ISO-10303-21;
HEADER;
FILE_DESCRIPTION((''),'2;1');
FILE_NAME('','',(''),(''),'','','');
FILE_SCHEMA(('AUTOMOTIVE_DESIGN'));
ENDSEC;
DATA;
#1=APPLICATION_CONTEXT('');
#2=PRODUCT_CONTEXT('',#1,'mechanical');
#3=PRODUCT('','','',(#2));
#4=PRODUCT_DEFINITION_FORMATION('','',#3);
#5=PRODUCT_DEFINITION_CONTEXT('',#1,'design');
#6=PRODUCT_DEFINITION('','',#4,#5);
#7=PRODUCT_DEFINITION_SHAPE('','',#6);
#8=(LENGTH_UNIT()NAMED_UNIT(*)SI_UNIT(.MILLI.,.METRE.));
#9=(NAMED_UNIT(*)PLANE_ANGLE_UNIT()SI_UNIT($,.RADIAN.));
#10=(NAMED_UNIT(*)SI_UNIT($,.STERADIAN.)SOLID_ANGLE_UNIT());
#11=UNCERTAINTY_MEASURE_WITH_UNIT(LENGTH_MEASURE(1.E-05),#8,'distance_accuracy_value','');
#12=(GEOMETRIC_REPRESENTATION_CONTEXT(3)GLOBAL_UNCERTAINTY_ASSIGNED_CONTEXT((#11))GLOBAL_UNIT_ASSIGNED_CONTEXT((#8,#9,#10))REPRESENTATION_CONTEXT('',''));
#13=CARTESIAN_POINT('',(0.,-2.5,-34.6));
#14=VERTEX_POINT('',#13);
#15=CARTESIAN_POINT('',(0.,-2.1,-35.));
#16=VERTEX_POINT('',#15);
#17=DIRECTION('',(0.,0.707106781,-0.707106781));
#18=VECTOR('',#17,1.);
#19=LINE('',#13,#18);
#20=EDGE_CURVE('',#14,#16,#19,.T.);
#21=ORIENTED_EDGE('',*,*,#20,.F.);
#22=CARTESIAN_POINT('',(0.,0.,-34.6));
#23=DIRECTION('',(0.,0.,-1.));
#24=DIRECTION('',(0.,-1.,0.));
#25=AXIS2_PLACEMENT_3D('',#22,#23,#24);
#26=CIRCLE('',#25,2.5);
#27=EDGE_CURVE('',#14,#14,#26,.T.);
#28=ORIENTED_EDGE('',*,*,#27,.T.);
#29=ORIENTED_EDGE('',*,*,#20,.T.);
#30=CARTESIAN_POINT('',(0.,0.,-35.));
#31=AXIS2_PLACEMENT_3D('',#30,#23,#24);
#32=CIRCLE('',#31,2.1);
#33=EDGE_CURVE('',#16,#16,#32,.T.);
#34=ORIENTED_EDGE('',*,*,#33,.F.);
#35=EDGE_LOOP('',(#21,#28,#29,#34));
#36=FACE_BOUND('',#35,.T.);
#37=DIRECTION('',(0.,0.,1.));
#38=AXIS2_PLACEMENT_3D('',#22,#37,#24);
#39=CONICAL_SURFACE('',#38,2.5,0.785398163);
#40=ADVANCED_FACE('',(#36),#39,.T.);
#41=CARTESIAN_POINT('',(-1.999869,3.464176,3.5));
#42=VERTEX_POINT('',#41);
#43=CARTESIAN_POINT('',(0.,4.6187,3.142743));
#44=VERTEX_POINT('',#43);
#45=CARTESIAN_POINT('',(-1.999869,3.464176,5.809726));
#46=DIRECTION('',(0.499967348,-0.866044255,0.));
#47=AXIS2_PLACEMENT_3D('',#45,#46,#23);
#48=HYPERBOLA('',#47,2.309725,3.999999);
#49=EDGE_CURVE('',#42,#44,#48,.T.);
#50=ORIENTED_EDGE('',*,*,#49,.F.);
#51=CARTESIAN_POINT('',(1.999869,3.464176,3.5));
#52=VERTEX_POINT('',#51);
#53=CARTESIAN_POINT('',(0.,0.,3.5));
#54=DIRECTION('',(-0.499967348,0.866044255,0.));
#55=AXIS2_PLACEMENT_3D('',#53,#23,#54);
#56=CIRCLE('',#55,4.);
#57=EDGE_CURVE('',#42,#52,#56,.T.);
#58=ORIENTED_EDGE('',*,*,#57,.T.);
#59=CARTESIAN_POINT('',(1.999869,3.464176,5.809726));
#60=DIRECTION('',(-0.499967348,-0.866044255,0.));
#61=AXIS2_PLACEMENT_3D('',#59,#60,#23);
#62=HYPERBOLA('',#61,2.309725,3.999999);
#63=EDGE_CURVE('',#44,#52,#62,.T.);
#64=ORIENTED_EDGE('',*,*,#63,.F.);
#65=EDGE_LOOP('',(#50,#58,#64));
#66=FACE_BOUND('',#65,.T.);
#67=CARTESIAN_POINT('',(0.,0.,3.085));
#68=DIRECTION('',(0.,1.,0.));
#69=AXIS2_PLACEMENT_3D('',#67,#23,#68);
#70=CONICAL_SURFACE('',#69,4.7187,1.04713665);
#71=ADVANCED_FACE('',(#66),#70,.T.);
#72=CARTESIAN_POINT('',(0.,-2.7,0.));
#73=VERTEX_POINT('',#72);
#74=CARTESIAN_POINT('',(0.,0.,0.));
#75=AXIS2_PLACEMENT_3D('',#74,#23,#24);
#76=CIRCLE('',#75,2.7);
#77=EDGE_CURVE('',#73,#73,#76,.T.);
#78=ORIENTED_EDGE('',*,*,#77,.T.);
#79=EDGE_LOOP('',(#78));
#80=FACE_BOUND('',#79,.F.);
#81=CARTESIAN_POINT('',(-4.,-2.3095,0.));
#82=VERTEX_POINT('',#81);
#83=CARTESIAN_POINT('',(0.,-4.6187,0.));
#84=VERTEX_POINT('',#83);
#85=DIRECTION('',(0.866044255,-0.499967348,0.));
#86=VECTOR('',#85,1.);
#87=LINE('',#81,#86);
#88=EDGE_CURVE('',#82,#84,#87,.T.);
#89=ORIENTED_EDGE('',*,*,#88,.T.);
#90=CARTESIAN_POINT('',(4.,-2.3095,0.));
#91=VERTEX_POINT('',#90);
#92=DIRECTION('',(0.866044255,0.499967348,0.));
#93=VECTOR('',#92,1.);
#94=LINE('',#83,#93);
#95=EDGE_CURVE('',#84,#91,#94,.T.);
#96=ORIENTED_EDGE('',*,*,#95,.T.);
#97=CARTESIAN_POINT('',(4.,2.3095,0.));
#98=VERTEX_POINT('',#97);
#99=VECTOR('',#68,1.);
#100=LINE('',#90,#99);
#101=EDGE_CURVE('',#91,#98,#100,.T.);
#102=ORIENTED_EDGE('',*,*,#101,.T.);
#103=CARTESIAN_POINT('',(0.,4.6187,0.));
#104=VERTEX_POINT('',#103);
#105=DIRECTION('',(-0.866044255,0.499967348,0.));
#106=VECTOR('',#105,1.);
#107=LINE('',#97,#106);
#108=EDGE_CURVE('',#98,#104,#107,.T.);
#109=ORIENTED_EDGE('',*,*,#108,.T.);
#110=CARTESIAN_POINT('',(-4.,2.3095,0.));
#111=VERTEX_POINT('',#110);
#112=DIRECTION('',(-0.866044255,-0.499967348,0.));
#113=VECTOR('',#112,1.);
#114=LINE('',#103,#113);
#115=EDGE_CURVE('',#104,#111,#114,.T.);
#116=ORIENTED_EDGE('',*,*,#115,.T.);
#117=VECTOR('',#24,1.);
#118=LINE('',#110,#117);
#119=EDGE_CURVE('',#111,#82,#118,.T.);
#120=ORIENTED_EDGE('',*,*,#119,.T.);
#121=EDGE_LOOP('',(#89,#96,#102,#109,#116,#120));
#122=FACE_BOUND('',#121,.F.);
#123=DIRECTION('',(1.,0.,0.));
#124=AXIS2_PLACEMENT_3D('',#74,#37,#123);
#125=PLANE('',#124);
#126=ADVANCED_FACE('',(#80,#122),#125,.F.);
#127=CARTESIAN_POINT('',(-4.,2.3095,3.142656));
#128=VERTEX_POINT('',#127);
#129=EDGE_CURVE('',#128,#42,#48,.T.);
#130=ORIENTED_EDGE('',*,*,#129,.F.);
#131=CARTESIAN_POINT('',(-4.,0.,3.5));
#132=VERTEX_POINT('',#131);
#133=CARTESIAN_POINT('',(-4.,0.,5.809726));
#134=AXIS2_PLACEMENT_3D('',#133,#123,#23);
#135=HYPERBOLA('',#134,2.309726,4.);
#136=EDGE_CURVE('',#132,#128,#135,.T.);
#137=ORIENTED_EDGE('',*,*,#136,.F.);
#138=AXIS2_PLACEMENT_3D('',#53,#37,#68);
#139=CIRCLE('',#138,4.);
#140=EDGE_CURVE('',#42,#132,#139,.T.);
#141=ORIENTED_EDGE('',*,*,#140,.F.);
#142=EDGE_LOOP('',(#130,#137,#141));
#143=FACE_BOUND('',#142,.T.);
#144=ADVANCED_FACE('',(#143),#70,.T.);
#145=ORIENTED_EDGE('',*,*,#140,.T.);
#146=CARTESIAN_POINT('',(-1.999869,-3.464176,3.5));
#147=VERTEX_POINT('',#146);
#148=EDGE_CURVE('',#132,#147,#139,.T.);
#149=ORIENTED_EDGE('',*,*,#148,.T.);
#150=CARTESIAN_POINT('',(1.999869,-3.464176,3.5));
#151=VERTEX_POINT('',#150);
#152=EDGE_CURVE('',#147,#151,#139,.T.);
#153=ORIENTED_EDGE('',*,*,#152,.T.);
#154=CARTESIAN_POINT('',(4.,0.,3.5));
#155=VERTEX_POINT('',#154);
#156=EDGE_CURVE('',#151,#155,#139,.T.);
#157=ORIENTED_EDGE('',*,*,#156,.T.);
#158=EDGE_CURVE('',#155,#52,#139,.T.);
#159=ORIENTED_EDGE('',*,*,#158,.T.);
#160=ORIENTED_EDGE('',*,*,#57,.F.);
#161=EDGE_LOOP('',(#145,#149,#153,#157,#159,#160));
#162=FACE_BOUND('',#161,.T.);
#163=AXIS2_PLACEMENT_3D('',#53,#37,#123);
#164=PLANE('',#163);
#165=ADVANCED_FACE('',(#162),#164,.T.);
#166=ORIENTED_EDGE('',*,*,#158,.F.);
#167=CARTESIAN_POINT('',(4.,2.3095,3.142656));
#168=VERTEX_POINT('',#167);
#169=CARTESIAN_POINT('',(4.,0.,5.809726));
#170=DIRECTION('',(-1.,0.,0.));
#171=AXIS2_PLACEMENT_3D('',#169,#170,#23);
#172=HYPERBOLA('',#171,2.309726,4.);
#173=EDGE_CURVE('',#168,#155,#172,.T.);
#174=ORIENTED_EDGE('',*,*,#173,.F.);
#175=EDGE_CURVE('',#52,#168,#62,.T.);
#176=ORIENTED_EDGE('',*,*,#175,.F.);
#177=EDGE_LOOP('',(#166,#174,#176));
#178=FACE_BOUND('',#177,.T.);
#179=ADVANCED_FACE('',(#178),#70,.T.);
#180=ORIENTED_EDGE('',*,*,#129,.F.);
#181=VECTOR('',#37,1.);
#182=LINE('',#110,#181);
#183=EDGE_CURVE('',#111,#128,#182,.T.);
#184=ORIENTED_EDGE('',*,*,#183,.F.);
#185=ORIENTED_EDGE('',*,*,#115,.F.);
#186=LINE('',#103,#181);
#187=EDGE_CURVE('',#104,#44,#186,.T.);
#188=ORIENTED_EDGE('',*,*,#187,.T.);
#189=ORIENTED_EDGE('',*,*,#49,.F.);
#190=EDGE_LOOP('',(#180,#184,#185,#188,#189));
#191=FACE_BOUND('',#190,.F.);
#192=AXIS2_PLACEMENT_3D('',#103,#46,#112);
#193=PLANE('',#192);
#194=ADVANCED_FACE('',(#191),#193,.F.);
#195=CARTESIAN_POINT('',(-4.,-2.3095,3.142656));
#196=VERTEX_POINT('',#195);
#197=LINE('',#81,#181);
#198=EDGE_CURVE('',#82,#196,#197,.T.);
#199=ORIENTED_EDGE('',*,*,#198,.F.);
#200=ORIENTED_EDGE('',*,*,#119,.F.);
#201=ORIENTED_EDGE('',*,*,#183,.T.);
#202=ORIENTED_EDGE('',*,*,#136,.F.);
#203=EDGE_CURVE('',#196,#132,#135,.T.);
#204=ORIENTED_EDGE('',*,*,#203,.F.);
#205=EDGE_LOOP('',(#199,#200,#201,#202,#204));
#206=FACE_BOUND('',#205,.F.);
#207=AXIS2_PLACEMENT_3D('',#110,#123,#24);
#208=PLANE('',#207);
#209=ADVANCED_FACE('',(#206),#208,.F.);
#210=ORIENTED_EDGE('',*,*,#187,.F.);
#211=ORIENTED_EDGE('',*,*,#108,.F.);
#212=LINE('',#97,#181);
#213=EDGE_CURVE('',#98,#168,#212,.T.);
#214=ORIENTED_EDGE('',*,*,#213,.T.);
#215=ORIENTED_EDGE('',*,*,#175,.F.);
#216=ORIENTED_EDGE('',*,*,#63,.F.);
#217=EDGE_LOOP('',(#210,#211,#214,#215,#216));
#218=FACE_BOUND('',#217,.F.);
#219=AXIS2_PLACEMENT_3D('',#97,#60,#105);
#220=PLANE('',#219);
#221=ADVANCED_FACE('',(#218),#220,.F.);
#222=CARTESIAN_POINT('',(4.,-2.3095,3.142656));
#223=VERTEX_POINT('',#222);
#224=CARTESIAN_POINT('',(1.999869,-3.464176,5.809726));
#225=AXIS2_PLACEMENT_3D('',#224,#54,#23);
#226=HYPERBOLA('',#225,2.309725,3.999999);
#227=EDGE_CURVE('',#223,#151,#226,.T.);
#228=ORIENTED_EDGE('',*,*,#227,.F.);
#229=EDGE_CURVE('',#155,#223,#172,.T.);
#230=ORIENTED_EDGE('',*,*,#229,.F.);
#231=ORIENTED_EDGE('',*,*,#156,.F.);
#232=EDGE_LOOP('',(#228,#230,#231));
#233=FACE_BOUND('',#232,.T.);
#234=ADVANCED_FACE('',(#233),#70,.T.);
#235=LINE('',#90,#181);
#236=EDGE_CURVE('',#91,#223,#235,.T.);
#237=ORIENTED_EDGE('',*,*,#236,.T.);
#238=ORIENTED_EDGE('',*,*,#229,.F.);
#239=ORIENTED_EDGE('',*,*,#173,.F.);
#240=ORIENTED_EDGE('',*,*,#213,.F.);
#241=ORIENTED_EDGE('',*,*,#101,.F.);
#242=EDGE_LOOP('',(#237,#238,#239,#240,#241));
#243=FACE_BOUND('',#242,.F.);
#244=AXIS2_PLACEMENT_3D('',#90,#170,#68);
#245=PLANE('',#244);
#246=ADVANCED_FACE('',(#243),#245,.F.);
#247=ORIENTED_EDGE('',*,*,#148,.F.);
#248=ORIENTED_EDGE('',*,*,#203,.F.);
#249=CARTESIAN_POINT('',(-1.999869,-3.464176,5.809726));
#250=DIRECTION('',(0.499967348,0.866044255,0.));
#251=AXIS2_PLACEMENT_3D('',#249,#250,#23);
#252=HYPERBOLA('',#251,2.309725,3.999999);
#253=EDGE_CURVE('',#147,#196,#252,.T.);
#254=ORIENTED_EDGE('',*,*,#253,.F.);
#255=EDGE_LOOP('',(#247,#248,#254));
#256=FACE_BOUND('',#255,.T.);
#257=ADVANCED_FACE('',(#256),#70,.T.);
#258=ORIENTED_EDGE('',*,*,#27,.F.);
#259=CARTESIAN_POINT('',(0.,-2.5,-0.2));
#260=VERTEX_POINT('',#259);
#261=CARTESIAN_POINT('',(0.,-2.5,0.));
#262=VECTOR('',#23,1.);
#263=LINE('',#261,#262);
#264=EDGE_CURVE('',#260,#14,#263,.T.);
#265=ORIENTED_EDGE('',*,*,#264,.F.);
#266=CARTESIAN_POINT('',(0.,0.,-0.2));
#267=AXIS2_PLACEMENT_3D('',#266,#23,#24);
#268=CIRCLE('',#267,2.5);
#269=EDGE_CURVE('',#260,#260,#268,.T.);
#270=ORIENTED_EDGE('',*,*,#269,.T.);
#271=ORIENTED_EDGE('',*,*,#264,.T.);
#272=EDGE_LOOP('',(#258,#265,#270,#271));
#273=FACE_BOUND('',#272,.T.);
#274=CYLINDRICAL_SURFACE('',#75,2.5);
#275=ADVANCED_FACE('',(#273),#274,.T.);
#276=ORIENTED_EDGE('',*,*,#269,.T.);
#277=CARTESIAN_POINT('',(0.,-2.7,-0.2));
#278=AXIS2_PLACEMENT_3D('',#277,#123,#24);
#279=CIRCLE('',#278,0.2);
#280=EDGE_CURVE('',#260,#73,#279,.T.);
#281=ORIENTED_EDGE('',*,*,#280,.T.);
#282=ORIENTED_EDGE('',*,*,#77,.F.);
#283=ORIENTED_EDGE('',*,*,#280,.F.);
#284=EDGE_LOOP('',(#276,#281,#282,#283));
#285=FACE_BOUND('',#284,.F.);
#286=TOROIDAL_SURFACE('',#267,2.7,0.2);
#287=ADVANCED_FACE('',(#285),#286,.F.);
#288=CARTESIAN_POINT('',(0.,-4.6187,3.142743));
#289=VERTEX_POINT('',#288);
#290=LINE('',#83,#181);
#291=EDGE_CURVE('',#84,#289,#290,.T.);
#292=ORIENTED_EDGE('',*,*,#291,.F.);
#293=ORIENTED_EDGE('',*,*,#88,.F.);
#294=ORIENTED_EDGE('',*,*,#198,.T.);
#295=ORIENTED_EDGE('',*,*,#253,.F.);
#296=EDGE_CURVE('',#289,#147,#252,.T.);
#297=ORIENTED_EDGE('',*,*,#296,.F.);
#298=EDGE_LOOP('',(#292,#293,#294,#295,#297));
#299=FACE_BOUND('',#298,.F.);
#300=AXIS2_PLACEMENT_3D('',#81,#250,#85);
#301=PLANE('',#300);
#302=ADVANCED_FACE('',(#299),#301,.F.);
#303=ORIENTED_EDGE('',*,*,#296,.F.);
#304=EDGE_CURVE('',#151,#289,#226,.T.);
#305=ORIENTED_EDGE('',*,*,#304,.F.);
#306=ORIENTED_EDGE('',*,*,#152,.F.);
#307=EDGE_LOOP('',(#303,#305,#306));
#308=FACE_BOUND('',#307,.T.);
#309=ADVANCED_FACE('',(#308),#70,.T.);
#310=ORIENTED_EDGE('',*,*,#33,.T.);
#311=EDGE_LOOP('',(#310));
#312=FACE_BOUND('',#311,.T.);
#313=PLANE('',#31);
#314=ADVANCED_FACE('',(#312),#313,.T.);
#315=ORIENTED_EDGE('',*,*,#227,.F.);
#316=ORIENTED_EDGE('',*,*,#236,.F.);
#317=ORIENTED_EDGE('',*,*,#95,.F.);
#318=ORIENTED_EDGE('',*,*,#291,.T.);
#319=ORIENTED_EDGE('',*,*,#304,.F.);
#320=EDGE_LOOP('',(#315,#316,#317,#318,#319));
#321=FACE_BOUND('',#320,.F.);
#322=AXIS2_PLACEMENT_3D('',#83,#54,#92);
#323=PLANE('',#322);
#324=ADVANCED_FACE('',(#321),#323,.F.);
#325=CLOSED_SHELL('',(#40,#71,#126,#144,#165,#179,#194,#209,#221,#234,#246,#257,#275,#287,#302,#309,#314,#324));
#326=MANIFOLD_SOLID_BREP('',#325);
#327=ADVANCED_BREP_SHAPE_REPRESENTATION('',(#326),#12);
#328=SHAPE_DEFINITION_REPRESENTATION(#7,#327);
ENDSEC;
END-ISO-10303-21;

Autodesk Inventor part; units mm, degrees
ref_plane "WorkPlane1" through (0, 0, 0) normal (0, 0, 1) x (1, 0, 0)
sketch "Sketch1" plane through (0, 0, 0) normal (0, 0, 1) x (1, 0, 0)
  point P0 (0, 0)
sketch "Sketch2" plane through (0, 0, 0) normal (0, 0, 1) x (1, 0, 0)
  line L0 (-4, 2.3095) -> (-4, -2.3095)
  line L1 (0, 4.6187) -> (-4, 2.3095)
  line L2 (4, 2.3095) -> (0, 4.6187)
  line L3 (4, -2.3095) -> (4, 2.3095)
  line L4 (0, -4.6187) -> (4, -2.3095)
  line L5 (-4, -2.3095) -> (0, -4.6187)
  circle A0 centre (0, 0) radius 4 construction
  dimension "d1" = 8
  dimension "d29" = 0
  dimension "d30" = 0
extrude "Extrusion1" add sketch "Sketch2" along normal blind 3.5
sketch "Sketch3" plane through (0, 0, 0) normal (1, 0, 0) x (0, 1, 0)
  line L0 (4, 3.5) -> (4.7187, 3.5)
  line L1 (4.7187, 3.085) -> (4, 3.5)
  line L2 (4.7187, 3.5) -> (4.7187, 3.085)
  line L3 (0, -0.7) -> (0, 4.2) projected
  line L4 (4.6187, 0) -> (4.6187, 3.5) projected
  dimension "d25" = 0.1
  dimension "d26" = 0
  dimension "d27" = 60
  dimension "d28" = 4
revolve "Revolution1" cut sketch "Sketch3" angle 360 about axis through (0, 0, -10) along (0, 0, 1)
sketch "Sketch4" plane through (0, 0, 0) normal (1, 0, 0) x (0, 1, 0)
  line L0 (0, -35) -> (0, 0)
  line L1 (-2.5, -35) -> (0, -35)
  line L2 (-2.5, 0) -> (-2.5, -35)
  line L3 (0, 0) -> (-2.5, 0)
  line L4 (0, -35) -> (0, 0)
  line L5 (-3, 0) -> (0.5, 0) projected
  line L6 (0, -42) -> (0, 7) projected
  dimension "d18" = 2.5
  dimension "d20" = 35
  dimension "d33" = 0
  dimension "d34" = 0
revolve "Revolution2" add sketch "Sketch4" angle 360 about axis through (0, 0, -35) along (0, 0, -1)
chamfer "Chamfer1" distance 0.4 angle 45 1 edges at (0, 2.5, -35)
fillet "Fillet1" radius 0.2 1 edges at (0, 2.5, 0)
thread "Thread1" size "M5x0.8" class "6g" standard "ISO Metric profile" length 33.4
ref_plane "MSC_PF1" through (0, 0, 0) normal (1, 0, 0) x (0, 1, 0)
ref_plane "MSC_PT1" through (0, 0, 0) normal (0, 0, -1) x (-1, 0, 0)
equation "\"d22\" = 0.5 * PTC"
equation "\"d23\" = 0.5 * PTC"
equation "\"d24\" = r"
equation "\"d1\" = ParS"
equation "\"d6\" = ParK"
equation "\"b\" = NLG - 2 * PTC"
equation "\"d28\" = 0.5 * ParS"
equation "\"d18\" = 0.5 * NND"
equation "\"d20\" = NLG"
equation "\"NND\" = 5"
equation "\"NLG\" = 35"
equation "\"PTC\" = 0.8"
equation "\"ParK\" = 3.5"
equation "\"ParS\" = 8"
equation "\"msp_es\" = 0.577367 * ParS"
equation "\"r\" = 0.2"
equation "\"THREADDIA\" = NND"
properties part number "ISO 4018 - M5 x 35" material "Steel"
